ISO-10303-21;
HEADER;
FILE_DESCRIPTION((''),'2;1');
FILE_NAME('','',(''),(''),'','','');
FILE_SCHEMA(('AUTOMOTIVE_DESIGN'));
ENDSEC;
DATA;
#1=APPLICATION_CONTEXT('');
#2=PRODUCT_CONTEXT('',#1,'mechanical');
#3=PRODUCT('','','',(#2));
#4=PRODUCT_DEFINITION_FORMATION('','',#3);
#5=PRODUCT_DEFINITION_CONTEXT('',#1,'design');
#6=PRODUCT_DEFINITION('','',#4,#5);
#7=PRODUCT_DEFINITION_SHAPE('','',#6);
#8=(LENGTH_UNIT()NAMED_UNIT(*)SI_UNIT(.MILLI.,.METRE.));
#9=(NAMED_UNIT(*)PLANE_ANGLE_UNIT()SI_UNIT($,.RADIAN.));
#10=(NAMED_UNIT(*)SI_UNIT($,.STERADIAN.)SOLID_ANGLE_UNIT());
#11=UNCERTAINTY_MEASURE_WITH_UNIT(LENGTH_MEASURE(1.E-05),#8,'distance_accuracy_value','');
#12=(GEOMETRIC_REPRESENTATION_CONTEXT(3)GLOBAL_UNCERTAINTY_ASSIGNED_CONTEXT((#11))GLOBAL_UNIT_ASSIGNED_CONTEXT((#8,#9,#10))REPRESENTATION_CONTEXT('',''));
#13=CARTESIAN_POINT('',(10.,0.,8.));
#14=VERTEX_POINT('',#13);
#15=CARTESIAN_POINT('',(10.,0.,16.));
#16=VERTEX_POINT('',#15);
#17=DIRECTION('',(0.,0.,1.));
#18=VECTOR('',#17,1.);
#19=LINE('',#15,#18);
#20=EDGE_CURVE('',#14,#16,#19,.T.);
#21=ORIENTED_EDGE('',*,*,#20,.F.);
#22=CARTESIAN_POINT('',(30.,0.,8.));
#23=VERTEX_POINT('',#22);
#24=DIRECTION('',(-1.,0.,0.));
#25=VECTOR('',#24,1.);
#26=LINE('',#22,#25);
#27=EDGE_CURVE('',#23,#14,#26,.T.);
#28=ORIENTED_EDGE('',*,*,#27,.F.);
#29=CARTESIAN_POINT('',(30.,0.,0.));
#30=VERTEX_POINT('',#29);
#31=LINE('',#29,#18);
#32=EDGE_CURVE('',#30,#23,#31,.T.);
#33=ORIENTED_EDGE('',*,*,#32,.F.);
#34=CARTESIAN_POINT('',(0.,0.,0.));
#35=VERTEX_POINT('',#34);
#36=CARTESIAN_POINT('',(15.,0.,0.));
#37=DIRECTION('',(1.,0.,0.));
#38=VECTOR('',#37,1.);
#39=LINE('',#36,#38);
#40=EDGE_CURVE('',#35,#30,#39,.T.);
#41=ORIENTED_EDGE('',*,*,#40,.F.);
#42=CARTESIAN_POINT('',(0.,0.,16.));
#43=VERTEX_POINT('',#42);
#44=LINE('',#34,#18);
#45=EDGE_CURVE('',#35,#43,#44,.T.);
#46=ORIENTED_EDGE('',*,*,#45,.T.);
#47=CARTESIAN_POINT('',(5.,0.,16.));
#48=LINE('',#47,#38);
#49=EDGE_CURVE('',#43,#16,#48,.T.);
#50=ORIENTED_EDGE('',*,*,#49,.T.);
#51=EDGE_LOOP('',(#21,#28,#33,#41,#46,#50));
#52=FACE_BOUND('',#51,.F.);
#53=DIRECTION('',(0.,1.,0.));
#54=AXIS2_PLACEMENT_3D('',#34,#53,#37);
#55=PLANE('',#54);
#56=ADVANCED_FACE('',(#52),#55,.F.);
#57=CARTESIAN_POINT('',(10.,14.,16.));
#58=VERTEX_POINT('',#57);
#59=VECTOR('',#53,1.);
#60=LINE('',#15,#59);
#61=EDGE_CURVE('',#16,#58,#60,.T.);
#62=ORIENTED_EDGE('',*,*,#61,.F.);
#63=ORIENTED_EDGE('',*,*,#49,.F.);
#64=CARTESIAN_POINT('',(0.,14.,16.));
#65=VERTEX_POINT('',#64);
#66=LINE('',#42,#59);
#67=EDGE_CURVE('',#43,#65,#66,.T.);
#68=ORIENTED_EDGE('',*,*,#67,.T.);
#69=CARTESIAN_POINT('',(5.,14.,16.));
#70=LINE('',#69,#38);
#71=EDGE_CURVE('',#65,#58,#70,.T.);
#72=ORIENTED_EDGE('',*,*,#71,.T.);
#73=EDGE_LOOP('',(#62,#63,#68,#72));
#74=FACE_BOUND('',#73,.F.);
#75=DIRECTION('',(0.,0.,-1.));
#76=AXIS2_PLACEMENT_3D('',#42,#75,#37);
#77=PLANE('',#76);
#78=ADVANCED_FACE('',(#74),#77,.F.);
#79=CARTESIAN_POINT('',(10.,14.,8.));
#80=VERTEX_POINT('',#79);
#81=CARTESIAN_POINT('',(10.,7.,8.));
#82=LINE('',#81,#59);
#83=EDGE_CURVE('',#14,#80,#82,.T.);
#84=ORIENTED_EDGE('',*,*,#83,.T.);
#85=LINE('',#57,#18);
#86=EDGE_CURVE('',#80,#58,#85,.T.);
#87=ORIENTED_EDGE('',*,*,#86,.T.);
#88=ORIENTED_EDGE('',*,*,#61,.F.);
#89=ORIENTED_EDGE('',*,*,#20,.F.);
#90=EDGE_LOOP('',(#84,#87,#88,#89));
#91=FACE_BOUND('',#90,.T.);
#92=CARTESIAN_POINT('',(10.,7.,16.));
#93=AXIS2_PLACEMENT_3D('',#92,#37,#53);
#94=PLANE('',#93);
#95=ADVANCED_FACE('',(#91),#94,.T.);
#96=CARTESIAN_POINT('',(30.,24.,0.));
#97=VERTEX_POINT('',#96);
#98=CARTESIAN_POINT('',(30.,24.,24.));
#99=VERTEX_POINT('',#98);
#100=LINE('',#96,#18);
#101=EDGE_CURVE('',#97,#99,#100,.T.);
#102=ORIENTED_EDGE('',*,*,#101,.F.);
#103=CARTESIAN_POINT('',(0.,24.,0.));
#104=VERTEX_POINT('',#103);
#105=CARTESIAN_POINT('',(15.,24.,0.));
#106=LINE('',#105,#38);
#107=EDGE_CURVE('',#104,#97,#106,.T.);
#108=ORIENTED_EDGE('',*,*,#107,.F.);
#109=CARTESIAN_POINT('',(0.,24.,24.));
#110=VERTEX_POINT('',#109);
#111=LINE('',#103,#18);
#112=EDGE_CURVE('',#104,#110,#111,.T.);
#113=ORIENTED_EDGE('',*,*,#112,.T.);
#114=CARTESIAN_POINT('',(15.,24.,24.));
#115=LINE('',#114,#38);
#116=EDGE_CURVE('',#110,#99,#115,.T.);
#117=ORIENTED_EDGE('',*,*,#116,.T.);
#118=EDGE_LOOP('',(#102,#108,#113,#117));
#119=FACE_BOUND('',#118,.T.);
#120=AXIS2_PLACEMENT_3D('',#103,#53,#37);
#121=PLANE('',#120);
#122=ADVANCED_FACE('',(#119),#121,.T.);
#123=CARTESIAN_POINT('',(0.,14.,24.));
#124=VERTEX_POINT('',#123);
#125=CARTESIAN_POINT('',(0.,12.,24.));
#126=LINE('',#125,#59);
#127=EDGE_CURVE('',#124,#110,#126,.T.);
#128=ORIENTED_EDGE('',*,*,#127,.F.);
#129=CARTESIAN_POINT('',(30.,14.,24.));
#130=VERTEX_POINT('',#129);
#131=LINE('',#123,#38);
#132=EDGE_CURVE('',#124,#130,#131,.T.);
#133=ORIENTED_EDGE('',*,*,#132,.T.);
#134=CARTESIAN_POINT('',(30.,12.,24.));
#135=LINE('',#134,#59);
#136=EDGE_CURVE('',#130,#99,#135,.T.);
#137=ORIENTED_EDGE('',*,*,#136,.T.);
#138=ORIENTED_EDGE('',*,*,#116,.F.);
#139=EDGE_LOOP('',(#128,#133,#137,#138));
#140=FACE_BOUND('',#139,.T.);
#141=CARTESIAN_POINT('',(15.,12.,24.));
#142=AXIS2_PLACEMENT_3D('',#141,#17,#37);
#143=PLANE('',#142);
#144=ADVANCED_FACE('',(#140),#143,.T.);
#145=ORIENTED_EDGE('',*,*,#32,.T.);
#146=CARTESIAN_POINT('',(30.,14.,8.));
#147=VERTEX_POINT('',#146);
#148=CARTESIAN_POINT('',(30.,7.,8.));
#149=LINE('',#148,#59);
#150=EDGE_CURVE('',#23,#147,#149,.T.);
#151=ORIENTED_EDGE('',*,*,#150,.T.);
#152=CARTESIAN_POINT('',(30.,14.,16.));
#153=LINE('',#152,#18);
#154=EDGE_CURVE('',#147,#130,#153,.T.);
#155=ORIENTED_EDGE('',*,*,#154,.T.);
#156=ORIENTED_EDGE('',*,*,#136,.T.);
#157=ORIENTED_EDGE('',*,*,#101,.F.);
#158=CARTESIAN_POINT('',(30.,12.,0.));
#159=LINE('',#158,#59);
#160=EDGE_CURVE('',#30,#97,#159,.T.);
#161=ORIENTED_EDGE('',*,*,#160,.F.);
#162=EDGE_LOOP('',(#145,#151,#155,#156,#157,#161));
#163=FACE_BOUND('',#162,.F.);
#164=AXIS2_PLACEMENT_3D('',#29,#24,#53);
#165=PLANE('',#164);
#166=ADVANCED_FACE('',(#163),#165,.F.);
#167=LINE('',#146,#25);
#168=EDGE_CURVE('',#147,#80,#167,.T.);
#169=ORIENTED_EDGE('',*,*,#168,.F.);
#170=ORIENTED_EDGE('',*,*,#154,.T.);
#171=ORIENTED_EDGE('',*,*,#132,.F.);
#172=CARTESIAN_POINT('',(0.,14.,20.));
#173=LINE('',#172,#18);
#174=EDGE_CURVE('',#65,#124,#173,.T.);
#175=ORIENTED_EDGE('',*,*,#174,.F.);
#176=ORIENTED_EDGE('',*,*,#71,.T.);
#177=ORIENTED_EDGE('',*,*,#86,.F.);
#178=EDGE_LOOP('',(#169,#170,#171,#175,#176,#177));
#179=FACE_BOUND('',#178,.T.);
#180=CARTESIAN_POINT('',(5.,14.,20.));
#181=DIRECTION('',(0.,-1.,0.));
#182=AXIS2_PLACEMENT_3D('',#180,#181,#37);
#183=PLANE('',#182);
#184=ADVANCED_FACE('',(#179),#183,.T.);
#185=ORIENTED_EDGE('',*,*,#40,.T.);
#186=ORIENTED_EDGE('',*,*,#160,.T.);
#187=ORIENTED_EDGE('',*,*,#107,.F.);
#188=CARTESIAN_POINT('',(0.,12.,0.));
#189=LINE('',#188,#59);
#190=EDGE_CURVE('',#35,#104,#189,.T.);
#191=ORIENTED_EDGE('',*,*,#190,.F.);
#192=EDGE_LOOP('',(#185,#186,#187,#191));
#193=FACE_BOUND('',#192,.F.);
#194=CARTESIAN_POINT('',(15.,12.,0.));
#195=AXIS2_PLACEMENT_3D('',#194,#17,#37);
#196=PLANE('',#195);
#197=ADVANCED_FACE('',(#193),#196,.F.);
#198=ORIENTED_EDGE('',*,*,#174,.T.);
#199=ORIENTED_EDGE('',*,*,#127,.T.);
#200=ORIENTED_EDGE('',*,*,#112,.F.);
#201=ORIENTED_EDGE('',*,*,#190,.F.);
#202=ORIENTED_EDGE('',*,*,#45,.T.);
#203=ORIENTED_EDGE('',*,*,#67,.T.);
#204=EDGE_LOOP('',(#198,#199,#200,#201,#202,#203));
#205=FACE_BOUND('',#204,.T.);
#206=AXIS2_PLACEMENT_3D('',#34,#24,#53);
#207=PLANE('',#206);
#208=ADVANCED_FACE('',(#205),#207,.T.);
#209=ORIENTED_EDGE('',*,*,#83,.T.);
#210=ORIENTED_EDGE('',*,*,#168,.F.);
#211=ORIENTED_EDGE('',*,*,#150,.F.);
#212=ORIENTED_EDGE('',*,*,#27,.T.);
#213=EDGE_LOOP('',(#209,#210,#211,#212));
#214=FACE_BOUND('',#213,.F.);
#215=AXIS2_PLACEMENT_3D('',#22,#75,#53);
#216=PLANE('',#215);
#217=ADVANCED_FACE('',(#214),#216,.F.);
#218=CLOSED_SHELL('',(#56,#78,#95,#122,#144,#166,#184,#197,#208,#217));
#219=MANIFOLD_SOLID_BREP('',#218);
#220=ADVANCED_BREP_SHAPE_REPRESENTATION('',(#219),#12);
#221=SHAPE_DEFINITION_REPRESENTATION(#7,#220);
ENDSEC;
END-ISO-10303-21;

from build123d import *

# Parameters (mm, degrees)
F0_W     = 30
F0_H     = 24
F1_DEPTH = 24
F2_W     = 14
F2_H     = 16
F3_DEPTH = 20
F4_W     = 10
F4_H     = 8
F5_DEPTH = 14


with BuildPart() as f1:
    # F0 (on Top) → F1 (new body)
    with BuildSketch(Plane.XY):
        with Locations((15, 12)):
            Rectangle(F0_W, F0_H)
    extrude(amount=F1_DEPTH)

    # F2 (on face) → F3 (cut)
    with BuildSketch(Plane.YZ.offset(30)):
        with Locations((7, 16)):
            Rectangle(F2_W, F2_H)
    extrude(amount=-F3_DEPTH, mode=Mode.SUBTRACT)

    # F4 (on face) → F5 (cut)
    with BuildSketch(Plane.XZ):
        with Locations((5, 20)):
            Rectangle(F4_W, F4_H)
    extrude(amount=-F5_DEPTH, mode=Mode.SUBTRACT)


solid = f1.part
